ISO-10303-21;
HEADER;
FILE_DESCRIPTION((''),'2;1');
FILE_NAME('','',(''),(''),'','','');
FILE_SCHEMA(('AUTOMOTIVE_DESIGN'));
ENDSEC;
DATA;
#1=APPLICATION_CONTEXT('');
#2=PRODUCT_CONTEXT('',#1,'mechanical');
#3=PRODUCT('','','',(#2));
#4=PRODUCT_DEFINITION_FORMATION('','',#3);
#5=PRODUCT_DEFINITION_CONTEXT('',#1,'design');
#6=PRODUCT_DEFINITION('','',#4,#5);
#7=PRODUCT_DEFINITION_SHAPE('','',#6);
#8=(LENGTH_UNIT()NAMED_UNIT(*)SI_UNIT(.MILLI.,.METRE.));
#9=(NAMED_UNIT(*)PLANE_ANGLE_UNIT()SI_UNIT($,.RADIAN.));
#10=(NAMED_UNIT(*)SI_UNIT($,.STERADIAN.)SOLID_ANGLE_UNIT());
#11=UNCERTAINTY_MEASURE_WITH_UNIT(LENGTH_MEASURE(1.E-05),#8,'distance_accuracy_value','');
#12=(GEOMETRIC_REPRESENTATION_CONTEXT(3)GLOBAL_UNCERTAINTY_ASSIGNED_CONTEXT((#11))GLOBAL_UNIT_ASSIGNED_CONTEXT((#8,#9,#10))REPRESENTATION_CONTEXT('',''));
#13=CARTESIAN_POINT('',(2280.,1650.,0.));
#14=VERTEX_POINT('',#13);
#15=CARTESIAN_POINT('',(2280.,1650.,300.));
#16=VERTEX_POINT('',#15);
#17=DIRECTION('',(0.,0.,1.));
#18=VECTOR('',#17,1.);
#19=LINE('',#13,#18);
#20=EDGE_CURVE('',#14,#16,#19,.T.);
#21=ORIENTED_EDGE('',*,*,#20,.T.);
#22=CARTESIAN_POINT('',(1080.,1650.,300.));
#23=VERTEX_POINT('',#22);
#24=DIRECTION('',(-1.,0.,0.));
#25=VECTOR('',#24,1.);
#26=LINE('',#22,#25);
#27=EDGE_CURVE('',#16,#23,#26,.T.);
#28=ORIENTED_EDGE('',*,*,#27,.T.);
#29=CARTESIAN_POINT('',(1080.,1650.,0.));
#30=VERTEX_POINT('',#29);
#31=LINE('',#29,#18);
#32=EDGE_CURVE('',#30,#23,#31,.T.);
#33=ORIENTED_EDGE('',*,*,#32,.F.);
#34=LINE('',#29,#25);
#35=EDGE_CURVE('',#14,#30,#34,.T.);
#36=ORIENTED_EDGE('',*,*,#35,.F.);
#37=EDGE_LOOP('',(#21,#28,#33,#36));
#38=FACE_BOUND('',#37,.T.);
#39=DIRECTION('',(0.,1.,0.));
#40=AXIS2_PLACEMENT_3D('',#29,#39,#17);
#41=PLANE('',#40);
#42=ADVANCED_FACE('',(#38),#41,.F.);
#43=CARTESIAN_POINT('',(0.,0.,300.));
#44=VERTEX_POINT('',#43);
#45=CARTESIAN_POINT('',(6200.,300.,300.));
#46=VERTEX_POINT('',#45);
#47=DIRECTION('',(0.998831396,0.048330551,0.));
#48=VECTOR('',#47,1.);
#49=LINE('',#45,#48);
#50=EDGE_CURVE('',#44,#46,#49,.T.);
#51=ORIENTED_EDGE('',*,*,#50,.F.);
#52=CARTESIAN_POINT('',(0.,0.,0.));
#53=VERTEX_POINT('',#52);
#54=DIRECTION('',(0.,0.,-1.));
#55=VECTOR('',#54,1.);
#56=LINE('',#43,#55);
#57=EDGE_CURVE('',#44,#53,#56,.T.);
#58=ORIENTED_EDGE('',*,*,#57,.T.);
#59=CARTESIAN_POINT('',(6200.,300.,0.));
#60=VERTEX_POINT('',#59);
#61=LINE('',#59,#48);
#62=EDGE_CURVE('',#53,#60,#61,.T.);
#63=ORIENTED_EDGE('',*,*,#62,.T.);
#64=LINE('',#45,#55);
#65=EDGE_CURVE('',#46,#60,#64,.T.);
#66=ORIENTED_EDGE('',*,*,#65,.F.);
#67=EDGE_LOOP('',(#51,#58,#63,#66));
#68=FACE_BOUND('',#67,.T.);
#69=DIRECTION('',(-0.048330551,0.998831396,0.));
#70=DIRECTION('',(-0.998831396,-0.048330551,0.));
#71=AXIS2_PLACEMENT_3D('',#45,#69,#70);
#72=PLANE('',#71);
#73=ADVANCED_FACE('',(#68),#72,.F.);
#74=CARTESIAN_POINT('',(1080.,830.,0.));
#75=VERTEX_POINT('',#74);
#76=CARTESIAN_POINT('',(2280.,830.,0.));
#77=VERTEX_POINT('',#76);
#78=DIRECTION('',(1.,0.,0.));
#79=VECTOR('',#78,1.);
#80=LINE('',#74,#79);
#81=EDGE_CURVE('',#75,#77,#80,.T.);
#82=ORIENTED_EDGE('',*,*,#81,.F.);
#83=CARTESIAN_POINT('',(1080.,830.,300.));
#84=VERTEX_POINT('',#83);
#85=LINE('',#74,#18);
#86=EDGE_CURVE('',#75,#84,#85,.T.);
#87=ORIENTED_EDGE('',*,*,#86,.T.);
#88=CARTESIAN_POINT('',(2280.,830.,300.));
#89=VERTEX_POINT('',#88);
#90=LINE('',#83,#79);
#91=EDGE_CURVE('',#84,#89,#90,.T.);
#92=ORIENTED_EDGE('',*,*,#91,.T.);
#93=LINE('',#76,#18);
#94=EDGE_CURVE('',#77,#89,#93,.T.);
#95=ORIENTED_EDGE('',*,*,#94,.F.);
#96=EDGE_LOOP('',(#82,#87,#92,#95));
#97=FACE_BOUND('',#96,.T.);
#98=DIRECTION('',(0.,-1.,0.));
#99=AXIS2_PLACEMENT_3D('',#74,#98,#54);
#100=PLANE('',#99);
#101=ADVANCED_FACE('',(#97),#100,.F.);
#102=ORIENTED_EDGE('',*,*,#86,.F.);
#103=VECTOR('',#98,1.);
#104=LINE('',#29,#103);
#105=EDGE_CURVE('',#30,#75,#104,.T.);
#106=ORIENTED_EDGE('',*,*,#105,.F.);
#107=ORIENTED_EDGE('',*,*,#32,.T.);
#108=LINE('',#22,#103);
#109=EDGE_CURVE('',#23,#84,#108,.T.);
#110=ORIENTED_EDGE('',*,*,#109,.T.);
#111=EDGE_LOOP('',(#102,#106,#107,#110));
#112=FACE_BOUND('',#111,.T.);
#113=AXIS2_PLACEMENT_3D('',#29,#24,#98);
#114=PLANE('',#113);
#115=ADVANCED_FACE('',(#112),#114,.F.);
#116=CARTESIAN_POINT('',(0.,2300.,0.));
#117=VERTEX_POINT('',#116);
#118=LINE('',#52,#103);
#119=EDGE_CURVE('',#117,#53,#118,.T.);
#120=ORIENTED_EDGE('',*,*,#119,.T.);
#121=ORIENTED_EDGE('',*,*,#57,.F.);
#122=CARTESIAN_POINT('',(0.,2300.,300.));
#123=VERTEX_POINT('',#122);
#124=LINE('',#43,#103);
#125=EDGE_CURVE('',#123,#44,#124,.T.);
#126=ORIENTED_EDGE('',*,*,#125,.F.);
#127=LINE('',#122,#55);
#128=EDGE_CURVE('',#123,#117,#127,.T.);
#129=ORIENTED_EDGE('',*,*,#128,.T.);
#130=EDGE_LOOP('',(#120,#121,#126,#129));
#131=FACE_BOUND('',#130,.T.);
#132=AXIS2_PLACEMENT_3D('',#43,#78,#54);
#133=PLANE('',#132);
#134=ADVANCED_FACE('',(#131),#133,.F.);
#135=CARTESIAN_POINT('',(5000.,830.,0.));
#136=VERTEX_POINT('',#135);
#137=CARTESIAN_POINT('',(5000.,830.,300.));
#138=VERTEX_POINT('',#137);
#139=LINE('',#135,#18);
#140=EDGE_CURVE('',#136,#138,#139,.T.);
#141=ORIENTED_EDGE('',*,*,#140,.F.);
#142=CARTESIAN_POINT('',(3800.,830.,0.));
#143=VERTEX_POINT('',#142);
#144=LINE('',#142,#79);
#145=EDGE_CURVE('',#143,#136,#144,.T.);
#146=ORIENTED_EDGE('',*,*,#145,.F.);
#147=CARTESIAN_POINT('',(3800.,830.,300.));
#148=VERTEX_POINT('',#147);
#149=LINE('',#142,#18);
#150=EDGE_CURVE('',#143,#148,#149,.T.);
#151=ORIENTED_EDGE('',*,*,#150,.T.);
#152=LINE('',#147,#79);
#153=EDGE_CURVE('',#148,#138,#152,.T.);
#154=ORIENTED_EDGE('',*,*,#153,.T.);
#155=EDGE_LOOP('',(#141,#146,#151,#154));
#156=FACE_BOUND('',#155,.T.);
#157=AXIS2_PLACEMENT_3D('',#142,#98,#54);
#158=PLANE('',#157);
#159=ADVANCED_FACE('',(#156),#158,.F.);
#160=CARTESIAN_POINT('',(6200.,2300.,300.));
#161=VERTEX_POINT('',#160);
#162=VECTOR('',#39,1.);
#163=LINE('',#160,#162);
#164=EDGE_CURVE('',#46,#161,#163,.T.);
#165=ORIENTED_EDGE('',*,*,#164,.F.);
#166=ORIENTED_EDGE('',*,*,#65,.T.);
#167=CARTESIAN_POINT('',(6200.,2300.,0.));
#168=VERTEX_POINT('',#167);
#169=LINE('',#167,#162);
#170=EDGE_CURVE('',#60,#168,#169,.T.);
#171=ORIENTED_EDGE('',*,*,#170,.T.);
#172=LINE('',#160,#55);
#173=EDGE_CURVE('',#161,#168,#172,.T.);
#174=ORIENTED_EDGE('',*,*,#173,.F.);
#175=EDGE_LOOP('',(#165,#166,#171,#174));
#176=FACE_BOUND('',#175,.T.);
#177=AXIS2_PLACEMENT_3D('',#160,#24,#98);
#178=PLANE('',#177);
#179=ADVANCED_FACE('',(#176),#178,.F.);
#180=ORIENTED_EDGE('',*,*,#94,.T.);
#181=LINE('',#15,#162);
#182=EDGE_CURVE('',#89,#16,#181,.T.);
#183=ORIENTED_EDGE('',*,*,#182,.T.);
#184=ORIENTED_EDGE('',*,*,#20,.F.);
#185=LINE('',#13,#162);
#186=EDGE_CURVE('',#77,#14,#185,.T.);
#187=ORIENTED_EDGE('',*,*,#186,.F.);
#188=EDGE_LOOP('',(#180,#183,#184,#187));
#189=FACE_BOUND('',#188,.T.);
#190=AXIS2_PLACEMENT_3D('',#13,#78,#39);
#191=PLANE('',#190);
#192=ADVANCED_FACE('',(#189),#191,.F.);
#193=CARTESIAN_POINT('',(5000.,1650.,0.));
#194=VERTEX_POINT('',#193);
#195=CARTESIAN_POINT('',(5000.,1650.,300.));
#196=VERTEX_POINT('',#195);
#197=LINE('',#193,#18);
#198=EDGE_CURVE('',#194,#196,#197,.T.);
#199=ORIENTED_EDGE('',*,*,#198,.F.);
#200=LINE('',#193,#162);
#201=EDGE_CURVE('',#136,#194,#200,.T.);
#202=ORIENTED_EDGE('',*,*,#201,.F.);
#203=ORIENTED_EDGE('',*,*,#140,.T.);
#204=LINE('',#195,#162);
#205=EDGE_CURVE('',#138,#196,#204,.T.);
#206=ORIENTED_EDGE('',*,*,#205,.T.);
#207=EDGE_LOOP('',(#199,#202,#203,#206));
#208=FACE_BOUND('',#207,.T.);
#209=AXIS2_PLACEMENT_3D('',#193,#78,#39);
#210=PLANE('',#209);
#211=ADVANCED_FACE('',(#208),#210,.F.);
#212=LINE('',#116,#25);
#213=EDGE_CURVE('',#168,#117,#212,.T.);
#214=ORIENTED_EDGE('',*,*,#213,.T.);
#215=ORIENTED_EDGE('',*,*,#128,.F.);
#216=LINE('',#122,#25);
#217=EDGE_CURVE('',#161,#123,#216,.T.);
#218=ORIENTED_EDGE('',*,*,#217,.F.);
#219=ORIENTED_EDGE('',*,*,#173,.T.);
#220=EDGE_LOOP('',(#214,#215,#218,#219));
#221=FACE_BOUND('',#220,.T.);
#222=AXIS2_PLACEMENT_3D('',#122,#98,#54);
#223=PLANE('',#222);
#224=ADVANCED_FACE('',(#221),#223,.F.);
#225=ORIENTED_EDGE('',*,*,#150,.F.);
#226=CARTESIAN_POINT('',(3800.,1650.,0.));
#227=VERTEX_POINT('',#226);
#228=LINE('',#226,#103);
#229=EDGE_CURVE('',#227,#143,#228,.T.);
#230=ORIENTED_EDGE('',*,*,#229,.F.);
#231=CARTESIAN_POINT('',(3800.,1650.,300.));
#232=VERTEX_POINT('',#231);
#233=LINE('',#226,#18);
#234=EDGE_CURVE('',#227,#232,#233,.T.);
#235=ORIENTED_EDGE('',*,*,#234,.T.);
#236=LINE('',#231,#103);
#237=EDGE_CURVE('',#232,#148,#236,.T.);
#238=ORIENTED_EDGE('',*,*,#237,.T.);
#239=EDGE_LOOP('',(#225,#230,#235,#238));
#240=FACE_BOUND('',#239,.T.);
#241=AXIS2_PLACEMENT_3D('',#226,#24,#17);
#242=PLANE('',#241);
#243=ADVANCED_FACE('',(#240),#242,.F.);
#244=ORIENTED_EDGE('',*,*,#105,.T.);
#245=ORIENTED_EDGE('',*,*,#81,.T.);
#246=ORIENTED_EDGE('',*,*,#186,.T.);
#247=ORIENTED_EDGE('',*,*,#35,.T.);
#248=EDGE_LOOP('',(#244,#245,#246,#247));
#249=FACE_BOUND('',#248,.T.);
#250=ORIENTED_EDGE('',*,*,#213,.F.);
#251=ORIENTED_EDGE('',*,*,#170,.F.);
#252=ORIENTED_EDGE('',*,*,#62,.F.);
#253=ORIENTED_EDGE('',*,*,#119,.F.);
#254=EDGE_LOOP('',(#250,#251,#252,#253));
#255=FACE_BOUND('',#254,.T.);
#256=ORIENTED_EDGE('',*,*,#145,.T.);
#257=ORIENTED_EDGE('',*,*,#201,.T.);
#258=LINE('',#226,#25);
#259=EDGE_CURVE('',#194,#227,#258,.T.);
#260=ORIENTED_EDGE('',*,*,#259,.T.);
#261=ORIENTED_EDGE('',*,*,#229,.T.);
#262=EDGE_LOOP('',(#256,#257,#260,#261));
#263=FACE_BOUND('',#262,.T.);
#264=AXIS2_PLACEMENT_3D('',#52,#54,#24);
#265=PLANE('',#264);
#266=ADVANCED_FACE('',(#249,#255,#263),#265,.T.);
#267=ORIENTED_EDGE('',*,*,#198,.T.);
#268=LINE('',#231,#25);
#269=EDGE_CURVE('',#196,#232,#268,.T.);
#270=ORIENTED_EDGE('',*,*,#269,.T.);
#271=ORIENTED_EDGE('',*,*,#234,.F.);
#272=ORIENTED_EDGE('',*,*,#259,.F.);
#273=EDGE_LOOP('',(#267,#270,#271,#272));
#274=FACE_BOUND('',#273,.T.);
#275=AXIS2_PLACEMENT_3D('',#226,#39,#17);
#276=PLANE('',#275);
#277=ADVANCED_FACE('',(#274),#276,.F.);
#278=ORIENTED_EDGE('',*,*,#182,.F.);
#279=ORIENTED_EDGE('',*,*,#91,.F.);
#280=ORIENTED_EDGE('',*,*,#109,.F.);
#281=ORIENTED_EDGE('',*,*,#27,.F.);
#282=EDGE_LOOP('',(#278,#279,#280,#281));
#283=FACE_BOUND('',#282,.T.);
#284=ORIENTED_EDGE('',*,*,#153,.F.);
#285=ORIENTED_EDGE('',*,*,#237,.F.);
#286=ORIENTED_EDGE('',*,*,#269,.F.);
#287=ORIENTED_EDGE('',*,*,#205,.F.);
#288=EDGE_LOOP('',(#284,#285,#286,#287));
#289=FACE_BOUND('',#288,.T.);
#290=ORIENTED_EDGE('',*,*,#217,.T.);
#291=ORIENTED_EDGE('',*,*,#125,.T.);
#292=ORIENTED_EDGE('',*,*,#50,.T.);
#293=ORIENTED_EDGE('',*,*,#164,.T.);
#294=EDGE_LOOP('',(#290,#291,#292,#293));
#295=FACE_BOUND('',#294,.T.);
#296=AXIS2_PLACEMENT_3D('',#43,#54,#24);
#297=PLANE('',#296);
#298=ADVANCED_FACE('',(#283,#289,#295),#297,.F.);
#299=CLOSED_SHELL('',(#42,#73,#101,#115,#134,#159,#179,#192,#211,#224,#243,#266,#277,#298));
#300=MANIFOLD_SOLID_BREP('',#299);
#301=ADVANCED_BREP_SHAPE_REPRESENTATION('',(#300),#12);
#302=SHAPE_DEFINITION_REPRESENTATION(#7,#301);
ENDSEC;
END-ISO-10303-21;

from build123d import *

# Parameters (mm, degrees)
BOSS_EXTRU_1_DEPTH      = 300
ESQUISSE2_W             = 1200
ESQUISSE2_H             = 820
ENL_V_MAT_EXTRU_1_DEPTH = 6620.667665374


with BuildPart() as part:
    # Esquisse1 → Boss.-Extru.1 (new body)
    with BuildSketch(Plane.XY):
        Polygon((0, 0), (0, 2300), (6200, 2300), (6200, 300), align=None)
    extrude(amount=BOSS_EXTRU_1_DEPTH)

    # Esquisse2 → Enlèv. mat.-Extru.1 (cut, through all)
    with BuildSketch(Plane.XY.offset(300)):
        with Locations((1680, 1240)):
            Rectangle(ESQUISSE2_W, ESQUISSE2_H)
        with Locations((4400, 1240)):
            Rectangle(ESQUISSE2_W, ESQUISSE2_H)
    extrude(amount=-ENL_V_MAT_EXTRU_1_DEPTH, mode=Mode.SUBTRACT)


solid = part.part
